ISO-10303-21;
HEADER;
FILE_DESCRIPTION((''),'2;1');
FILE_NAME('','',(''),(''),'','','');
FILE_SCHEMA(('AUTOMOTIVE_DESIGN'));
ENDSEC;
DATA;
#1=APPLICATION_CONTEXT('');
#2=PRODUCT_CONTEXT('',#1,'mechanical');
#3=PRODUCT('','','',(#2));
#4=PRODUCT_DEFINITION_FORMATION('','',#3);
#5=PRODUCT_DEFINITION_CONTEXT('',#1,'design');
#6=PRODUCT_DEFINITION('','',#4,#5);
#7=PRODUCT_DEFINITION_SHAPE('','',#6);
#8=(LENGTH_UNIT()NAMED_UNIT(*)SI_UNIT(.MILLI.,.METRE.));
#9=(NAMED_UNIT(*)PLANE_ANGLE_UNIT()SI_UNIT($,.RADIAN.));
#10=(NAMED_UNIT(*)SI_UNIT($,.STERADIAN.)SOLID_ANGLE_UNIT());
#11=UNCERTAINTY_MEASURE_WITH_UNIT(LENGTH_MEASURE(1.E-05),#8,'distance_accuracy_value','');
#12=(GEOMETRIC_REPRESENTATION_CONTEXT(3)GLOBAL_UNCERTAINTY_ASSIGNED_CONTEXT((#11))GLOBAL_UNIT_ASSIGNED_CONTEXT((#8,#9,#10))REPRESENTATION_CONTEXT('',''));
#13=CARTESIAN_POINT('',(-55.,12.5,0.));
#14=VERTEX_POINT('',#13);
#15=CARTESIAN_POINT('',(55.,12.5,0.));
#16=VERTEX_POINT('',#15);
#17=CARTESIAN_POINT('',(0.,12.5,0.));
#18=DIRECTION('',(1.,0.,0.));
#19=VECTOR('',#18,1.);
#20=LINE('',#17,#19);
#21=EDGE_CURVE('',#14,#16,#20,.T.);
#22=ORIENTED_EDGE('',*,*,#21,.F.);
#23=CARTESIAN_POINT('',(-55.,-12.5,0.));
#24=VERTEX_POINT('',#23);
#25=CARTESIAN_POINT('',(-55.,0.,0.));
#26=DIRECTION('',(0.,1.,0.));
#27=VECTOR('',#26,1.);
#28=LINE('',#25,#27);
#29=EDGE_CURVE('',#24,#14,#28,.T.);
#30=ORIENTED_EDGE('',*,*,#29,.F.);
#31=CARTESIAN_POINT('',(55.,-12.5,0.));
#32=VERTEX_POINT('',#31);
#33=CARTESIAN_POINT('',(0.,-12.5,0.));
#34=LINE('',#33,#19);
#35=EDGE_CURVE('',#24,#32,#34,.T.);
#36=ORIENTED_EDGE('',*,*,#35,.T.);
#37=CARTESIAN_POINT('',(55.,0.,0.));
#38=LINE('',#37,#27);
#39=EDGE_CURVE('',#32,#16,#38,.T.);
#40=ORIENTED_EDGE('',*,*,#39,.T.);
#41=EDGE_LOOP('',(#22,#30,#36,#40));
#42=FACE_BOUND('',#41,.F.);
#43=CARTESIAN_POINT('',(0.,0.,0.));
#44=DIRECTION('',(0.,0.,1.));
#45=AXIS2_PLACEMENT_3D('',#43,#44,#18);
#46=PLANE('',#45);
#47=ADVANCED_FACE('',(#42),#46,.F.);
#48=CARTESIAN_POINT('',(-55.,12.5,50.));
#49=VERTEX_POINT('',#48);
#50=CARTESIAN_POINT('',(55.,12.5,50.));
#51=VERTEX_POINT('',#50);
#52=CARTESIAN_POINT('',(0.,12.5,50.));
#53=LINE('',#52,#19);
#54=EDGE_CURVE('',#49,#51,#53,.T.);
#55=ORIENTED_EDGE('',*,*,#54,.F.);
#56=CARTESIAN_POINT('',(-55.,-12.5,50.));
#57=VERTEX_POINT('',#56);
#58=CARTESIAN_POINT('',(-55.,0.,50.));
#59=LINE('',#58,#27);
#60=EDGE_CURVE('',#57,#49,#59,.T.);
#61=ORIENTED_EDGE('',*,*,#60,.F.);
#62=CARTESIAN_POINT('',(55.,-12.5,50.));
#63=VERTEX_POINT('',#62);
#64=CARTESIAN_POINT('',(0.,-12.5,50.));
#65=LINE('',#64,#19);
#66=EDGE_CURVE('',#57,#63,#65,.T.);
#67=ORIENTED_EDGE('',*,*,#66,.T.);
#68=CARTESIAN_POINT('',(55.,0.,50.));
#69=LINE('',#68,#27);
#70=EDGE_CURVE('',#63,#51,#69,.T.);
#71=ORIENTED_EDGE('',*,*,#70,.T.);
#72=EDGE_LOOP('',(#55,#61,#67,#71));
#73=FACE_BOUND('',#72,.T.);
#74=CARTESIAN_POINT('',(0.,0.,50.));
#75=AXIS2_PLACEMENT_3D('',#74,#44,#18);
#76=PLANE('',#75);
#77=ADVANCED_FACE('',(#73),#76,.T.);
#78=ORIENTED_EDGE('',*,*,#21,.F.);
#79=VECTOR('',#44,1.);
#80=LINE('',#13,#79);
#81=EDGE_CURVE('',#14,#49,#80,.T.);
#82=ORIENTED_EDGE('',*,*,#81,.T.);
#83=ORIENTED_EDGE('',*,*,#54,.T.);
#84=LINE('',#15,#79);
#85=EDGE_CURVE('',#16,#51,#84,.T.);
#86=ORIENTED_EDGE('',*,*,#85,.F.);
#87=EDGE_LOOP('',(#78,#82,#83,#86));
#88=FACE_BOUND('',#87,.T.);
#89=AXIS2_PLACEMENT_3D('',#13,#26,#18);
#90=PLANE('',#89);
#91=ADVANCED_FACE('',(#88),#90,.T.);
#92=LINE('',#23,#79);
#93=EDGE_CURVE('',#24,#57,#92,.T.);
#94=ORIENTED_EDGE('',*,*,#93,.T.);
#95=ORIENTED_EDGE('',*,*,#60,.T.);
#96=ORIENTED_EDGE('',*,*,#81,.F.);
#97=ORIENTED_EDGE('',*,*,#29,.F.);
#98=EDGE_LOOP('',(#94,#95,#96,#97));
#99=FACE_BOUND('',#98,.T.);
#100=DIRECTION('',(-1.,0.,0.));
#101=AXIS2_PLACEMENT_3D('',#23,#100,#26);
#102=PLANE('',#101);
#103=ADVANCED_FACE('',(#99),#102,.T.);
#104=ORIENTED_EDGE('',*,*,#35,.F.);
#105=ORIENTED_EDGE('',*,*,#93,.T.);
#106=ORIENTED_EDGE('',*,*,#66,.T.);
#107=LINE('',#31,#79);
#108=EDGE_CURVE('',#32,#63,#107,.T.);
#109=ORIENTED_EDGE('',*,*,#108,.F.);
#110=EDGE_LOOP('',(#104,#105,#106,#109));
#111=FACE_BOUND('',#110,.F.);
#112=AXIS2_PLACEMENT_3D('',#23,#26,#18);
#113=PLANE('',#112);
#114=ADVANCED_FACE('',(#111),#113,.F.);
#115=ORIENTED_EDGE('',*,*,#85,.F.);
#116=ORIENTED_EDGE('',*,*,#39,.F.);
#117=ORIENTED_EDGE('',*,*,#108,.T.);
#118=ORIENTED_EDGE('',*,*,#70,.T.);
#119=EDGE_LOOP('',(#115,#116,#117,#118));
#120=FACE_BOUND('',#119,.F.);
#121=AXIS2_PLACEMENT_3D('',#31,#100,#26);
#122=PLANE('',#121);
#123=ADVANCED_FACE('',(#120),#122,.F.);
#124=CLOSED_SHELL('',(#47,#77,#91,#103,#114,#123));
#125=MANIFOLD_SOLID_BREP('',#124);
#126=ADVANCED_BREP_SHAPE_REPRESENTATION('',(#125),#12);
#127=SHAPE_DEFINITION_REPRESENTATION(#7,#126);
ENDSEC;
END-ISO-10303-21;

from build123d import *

# Parameters (mm, degrees)
SKETCH_W      = 110
SKETCH_H      = 25
EXTRUDE_DEPTH = 50


with BuildPart() as part:
    # Sketch → Extrude (new body)
    with BuildSketch(Plane.XY):
        Rectangle(SKETCH_W, SKETCH_H)
    extrude(amount=EXTRUDE_DEPTH)


solid = part.part
